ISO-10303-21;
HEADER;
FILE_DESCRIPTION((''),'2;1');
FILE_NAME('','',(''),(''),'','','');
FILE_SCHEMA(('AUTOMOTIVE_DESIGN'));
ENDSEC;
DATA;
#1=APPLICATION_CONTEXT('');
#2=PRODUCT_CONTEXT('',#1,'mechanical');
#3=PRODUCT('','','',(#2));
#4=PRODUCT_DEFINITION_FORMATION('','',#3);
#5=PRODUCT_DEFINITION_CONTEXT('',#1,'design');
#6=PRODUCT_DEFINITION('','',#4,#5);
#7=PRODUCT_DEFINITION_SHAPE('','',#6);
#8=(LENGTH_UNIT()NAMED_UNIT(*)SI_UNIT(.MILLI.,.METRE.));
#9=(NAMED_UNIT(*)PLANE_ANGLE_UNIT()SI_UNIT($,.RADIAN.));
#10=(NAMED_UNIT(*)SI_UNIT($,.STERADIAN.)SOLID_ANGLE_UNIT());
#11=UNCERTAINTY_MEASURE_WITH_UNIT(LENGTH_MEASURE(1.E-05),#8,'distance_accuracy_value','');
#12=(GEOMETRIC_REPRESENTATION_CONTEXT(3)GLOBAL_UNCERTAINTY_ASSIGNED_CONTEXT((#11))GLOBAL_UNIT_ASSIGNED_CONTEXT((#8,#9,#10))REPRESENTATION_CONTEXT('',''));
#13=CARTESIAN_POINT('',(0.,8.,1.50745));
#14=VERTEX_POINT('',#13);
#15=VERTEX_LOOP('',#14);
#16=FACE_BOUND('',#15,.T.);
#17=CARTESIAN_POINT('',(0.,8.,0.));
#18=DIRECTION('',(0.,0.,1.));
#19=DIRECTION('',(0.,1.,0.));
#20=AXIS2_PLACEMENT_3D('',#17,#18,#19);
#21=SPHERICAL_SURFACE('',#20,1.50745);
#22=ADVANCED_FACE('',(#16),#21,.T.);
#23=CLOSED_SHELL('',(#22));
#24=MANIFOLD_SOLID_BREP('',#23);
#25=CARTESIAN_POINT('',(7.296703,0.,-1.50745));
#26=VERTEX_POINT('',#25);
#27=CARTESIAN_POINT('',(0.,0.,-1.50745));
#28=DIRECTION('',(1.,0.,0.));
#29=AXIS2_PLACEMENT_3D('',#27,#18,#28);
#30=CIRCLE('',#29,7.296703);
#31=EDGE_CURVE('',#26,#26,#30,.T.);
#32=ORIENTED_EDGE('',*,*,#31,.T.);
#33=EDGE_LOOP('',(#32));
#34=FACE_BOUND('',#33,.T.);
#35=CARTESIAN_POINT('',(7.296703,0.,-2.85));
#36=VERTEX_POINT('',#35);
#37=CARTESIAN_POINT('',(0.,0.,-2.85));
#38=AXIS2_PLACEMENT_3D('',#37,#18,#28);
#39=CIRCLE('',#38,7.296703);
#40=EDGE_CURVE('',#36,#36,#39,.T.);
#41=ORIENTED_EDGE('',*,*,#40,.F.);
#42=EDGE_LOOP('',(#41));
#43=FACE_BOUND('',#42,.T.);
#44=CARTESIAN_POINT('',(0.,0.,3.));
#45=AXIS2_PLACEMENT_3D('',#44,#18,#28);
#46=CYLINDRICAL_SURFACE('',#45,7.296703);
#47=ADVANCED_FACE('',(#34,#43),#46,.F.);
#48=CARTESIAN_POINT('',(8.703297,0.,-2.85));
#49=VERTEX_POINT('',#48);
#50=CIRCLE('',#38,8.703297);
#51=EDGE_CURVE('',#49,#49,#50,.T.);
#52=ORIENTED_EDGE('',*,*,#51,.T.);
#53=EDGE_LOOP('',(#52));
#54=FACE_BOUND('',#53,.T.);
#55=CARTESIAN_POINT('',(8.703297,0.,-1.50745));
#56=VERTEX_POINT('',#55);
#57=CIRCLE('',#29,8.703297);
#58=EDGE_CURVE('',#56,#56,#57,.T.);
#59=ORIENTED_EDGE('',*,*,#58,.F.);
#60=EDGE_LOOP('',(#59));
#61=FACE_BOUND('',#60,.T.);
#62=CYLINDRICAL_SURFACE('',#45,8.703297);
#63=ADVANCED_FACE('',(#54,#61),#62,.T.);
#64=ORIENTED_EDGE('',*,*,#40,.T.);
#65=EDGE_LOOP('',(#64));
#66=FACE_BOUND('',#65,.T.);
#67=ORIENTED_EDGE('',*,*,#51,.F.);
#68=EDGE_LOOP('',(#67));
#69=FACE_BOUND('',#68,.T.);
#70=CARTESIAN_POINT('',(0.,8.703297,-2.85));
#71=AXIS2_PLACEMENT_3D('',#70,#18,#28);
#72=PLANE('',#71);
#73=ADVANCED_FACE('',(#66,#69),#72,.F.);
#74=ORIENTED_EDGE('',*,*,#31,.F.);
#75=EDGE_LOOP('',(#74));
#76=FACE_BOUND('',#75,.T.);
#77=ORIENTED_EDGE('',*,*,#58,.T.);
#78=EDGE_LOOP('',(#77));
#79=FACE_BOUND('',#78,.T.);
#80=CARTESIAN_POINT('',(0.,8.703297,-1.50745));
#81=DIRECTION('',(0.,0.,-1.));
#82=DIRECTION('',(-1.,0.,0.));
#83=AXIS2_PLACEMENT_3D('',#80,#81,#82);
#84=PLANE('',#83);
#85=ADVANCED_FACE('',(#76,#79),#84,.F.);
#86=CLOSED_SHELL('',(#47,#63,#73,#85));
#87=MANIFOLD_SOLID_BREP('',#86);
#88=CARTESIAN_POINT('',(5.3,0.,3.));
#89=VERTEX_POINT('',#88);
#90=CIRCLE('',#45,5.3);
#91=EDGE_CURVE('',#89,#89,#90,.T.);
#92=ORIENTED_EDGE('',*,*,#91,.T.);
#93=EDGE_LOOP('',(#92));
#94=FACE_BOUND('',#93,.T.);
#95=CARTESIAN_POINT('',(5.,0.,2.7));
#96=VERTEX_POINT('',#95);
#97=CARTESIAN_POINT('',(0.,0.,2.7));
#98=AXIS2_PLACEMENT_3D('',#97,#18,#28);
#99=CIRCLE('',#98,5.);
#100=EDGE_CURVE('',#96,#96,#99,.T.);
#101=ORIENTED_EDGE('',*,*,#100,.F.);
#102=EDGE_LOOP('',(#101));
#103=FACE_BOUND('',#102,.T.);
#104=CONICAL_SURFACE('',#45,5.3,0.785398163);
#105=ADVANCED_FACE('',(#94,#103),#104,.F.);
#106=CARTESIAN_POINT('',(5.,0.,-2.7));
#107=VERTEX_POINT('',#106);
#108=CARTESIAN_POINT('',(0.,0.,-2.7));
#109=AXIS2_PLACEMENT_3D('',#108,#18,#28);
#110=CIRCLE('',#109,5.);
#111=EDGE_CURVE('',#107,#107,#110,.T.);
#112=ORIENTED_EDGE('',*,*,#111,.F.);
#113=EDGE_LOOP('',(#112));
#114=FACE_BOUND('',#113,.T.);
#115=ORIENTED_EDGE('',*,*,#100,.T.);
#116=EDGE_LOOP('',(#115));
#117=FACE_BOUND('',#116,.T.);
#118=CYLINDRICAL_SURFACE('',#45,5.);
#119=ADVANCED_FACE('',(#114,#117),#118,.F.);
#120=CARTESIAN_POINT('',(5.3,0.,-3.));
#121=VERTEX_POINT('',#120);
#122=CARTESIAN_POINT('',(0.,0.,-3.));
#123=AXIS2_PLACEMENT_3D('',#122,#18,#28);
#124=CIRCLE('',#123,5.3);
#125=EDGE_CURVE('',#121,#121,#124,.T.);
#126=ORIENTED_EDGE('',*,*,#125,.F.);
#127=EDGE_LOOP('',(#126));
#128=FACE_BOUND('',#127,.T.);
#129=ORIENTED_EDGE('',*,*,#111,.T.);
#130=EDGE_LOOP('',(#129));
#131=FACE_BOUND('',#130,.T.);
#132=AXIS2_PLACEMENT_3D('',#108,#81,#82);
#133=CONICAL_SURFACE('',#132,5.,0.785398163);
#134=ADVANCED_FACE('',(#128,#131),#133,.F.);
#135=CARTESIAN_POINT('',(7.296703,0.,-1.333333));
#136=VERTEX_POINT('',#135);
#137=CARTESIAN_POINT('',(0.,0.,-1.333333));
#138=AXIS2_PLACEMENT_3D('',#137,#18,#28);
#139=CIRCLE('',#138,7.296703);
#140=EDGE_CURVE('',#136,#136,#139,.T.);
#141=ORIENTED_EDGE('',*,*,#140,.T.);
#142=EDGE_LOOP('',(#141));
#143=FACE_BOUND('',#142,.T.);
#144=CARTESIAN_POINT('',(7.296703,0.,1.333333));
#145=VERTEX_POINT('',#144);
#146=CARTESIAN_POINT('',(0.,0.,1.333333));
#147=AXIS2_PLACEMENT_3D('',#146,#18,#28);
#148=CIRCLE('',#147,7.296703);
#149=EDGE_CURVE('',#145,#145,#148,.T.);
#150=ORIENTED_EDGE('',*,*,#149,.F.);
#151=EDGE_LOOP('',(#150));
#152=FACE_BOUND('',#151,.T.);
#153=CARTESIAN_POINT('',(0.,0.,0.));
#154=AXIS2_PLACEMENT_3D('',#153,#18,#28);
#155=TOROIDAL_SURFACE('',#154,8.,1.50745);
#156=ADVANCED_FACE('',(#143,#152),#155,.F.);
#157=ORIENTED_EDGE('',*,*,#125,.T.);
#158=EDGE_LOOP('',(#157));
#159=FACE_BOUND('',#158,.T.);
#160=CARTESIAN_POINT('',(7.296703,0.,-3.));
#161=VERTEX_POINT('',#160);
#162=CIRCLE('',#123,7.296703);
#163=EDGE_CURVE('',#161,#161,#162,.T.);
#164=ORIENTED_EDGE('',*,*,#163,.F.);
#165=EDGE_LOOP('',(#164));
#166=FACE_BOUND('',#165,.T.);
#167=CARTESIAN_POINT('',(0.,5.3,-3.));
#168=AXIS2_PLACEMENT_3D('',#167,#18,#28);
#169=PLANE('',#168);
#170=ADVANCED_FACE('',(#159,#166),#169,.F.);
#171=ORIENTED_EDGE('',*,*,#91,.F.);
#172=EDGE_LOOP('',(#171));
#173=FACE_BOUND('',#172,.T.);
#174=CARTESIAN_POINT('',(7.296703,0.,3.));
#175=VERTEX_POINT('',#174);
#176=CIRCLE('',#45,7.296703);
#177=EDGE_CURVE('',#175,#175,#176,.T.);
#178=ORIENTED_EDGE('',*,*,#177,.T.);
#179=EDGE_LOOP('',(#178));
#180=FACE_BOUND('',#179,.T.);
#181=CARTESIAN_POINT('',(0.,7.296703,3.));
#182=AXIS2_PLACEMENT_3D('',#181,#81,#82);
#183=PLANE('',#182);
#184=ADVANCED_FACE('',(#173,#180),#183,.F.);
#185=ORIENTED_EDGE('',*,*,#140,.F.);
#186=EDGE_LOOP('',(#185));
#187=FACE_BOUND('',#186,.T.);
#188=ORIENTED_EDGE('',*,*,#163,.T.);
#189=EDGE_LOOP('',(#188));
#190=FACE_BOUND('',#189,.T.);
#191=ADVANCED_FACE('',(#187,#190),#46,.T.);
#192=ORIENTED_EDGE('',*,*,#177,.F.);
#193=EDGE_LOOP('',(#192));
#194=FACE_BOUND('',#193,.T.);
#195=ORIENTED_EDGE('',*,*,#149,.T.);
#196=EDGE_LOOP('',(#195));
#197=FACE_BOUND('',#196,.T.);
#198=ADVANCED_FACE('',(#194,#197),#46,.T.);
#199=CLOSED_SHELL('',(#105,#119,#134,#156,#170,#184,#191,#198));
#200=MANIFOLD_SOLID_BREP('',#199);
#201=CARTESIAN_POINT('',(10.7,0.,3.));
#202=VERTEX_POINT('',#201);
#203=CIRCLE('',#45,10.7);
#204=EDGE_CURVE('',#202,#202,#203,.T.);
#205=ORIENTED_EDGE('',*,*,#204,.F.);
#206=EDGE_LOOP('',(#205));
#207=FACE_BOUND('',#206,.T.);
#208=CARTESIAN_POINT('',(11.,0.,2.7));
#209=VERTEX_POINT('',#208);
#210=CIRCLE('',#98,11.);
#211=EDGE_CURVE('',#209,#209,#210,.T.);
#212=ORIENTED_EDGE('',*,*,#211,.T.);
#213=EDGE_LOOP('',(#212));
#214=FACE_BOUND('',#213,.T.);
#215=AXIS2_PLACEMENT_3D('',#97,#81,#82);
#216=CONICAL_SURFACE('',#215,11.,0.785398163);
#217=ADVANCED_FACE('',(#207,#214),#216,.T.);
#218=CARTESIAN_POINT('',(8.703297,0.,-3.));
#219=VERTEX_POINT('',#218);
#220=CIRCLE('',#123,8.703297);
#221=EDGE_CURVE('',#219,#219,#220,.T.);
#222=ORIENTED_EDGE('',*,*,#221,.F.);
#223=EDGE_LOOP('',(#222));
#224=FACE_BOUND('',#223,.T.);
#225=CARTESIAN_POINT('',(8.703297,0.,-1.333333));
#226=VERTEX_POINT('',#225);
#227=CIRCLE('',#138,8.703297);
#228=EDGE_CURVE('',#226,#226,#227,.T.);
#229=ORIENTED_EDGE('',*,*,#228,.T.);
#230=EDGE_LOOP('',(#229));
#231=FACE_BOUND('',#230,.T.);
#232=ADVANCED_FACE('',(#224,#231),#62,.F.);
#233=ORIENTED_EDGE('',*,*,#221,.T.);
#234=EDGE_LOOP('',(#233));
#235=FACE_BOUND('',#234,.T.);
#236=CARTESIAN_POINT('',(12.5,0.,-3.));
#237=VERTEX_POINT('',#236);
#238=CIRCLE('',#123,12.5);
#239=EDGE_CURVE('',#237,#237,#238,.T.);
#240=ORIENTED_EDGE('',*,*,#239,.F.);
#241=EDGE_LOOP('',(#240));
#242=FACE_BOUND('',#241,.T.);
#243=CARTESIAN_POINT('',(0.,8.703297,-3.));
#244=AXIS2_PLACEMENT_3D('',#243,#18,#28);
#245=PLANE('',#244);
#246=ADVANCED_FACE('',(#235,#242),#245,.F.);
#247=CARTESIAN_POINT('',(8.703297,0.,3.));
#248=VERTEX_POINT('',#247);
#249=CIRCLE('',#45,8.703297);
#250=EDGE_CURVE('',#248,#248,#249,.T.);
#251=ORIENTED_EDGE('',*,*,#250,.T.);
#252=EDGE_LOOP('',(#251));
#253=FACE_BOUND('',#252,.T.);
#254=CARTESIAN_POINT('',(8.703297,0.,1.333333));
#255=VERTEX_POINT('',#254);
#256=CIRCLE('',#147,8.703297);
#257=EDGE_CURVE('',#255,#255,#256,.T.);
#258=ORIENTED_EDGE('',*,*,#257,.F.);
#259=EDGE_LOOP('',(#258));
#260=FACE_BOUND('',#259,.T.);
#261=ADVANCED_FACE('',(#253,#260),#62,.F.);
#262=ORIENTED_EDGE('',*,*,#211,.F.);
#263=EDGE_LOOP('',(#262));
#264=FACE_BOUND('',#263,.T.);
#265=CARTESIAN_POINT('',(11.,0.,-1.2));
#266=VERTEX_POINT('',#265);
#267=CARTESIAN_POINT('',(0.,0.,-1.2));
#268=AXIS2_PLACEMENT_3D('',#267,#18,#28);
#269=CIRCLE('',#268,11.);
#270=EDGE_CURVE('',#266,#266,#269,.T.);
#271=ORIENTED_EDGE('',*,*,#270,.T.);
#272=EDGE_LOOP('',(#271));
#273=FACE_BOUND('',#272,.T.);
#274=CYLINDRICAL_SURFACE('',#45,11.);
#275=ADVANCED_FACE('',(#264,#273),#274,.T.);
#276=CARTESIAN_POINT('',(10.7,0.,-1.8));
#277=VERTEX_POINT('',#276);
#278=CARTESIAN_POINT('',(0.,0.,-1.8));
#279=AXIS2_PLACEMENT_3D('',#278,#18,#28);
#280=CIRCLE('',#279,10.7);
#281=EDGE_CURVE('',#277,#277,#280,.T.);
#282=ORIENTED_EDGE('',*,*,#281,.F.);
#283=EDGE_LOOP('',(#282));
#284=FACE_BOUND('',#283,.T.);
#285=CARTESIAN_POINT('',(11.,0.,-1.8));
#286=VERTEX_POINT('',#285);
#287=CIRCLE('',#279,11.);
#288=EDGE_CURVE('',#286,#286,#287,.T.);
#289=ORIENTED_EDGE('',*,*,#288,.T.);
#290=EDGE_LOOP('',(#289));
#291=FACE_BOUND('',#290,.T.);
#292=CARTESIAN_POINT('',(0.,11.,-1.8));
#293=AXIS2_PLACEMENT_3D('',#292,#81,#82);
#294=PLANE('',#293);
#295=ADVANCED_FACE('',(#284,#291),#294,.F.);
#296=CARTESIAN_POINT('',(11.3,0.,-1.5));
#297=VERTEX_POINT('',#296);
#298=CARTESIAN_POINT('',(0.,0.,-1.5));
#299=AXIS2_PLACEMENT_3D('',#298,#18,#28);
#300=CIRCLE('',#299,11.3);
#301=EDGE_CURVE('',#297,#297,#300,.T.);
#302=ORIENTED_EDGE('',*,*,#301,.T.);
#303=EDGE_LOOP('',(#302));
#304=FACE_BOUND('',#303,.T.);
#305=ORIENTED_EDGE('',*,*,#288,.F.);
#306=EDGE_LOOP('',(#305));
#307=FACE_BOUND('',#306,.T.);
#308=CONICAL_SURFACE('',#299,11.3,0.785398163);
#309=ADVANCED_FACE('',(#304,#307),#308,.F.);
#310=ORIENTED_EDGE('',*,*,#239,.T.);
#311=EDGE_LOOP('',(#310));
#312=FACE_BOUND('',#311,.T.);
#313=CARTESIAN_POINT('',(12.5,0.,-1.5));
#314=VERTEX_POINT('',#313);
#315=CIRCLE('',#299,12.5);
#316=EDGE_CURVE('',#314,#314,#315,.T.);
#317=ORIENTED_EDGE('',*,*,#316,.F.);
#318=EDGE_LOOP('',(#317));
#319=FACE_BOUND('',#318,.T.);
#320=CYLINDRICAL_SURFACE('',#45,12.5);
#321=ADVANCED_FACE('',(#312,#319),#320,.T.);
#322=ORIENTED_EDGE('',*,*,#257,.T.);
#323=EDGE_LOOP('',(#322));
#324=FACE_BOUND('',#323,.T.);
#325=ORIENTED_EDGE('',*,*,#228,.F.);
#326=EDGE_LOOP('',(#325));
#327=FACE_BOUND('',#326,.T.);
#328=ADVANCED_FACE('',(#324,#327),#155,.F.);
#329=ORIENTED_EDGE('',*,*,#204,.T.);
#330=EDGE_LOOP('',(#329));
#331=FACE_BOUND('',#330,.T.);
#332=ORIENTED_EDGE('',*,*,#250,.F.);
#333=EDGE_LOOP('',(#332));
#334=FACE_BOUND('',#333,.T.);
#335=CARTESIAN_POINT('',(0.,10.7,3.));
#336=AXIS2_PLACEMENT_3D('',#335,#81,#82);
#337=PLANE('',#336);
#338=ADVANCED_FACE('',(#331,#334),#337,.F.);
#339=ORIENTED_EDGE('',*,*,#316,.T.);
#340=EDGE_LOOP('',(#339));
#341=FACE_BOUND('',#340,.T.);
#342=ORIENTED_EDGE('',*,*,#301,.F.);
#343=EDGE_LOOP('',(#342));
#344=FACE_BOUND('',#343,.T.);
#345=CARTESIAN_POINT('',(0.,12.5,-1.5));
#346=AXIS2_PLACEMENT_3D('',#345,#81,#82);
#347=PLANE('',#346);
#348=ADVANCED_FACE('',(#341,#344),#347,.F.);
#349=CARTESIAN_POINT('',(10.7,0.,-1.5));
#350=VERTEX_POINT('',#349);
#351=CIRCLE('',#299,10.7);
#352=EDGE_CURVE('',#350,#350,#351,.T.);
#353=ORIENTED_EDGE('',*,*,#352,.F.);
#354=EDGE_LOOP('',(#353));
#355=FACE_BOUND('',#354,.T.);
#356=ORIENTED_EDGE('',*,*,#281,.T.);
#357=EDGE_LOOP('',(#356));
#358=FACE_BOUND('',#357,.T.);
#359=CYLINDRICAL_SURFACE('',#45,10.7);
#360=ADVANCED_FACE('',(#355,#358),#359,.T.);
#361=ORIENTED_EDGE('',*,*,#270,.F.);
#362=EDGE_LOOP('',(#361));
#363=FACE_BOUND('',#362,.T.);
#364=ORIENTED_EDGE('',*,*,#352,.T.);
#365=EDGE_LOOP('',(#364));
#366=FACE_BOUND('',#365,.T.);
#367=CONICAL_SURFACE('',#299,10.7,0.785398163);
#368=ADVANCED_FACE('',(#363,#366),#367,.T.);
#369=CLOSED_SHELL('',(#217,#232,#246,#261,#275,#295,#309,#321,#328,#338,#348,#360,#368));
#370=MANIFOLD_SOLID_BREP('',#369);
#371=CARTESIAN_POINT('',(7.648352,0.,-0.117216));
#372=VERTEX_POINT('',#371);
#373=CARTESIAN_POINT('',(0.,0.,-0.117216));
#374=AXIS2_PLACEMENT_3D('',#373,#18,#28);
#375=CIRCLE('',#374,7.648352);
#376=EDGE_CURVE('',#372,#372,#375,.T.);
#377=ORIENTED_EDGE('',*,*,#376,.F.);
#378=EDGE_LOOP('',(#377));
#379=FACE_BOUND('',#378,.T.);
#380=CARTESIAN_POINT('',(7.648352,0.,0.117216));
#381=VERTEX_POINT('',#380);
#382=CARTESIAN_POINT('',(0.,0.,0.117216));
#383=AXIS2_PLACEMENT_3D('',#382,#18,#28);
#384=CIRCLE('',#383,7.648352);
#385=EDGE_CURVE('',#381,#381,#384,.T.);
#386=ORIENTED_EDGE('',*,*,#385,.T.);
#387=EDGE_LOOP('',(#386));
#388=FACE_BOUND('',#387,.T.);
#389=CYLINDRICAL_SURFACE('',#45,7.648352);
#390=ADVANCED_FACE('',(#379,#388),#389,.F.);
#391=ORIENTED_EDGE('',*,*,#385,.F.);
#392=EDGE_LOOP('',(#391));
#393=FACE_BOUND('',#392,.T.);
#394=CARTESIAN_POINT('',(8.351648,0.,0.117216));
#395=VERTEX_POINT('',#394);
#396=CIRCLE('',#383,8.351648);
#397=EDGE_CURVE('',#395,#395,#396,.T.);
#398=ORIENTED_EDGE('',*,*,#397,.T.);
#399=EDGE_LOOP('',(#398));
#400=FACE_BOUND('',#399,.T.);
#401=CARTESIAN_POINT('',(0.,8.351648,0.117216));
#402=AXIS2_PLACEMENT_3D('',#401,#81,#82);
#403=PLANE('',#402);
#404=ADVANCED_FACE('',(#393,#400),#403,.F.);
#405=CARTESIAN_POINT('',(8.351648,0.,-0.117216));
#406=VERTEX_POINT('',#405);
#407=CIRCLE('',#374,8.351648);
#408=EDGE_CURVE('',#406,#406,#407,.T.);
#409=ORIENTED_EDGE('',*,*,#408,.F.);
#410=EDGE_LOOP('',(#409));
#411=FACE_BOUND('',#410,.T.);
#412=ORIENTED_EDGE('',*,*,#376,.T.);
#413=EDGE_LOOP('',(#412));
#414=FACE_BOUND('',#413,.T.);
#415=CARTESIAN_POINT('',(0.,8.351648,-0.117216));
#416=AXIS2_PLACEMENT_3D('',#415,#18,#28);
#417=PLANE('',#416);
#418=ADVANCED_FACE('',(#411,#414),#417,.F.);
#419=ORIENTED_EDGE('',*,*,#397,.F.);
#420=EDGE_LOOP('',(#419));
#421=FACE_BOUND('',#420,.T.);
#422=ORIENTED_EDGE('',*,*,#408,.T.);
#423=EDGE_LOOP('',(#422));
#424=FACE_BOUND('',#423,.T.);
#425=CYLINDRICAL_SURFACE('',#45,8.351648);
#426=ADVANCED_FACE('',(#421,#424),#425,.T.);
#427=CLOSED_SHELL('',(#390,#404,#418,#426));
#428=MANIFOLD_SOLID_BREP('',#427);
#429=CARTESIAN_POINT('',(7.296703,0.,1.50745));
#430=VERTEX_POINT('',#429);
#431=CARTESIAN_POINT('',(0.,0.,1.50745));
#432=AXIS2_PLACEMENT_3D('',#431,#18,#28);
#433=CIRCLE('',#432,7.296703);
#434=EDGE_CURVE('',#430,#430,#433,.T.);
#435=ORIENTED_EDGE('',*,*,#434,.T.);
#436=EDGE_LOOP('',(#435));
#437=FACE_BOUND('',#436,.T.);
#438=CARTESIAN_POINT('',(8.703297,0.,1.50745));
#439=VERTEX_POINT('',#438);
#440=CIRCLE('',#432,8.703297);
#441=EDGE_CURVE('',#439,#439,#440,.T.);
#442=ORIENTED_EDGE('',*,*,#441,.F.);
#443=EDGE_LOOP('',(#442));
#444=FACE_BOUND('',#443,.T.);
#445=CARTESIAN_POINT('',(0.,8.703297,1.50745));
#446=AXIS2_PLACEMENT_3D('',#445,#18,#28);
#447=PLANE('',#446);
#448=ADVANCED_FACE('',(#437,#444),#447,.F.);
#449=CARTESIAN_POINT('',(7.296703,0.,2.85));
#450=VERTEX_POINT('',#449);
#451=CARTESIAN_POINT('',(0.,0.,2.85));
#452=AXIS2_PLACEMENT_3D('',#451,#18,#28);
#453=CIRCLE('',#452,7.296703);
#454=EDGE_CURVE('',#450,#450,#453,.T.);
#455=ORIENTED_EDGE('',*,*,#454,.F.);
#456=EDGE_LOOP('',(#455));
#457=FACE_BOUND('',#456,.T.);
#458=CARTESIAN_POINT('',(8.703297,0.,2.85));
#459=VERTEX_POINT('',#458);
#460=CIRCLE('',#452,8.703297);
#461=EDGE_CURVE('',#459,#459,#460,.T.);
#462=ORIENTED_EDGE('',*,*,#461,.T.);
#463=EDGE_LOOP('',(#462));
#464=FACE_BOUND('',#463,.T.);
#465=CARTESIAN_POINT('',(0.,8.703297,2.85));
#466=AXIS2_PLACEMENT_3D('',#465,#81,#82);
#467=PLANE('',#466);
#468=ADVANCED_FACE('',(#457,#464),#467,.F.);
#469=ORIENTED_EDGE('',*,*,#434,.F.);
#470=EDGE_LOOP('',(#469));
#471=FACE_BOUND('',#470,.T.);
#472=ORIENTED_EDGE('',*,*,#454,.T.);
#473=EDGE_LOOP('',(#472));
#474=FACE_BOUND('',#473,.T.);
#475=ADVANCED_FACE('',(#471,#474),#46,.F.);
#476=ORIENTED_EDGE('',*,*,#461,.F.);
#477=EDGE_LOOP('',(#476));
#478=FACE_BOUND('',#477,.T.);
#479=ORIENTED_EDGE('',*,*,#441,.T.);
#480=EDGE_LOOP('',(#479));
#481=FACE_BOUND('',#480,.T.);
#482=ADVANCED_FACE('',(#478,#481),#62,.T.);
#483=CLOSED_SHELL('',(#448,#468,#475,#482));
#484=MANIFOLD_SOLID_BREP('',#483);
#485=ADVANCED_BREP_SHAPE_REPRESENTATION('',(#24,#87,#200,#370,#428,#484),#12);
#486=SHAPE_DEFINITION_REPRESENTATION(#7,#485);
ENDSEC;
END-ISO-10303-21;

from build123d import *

# Parameters (mm, degrees)
SKETCH6_W = 0.234432234
SKETCH6_H = 0.703296704
SKETCH5_W = 1.342550488
SKETCH5_H = 1.406593406


with BuildPart() as part:
    # Sketch7 → Revolve7 (revolve)
    with BuildSketch(Plane(origin=(0, 0, 0), x_dir=(0, 0, -1), z_dir=(1, 0, 0))):
        with BuildLine():
            Line((3, 12.5), (1.5, 12.5))
            Line((1.5, 12.5), (1.5, 11.3))
            Line((1.5, 11.3), (1.8, 11))
            Line((1.8, 11), (1.8, 10.7))
            Line((1.8, 10.7), (1.5, 10.7))
            Line((1.5, 10.7), (1.2, 11))
            Line((1.2, 11), (-2.7, 11))
            Line((-2.7, 11), (-3, 10.7))
            Line((-3, 10.7), (-3, 8.703296703))
            Line((-3, 8.703296703), (-1.333333333, 8.703296703))
            ThreePointArc((-1.333333333, 8.703296703), (0, 9.507449512), (1.333333333, 8.703296703))
            Line((1.333333333, 8.703296703), (3, 8.703296703))
            Line((3, 8.703296703), (3, 10.7))
            Line((3, 10.7), (3, 12.5))
        make_face()
    revolve(axis=Axis((0, 0, 3), (0, 0, -1)))


with BuildPart() as body_2:
    # Sketch3 → Revolve3 (revolve)
    with BuildSketch(Plane(origin=(0, 0, 0), x_dir=(0, 0, -1), z_dir=(1, 0, 0))):
        with BuildLine():
            Line((-3, 7.296703297), (-1.333333333, 7.296703297))
            ThreePointArc((-1.333333333, 7.296703297), (0, 6.492550488), (1.333333333, 7.296703297))
            Line((1.333333333, 7.296703297), (3, 7.296703297))
            Line((3, 7.296703297), (3, 5.3))
            Line((3, 5.3), (2.7, 5))
            Line((2.7, 5), (-2.7, 5))
            Line((-2.7, 5), (-3, 5.3))
            Line((-3, 5.3), (-3, 7.296703297))
        make_face()
    revolve(axis=Axis((0, 0, 3), (0, 0, -1)))


with BuildPart() as body_3:
    # Sketch6 → Revolve6 (revolve)
    with BuildSketch(Plane(origin=(0, 0, 0), x_dir=(0, 0, -1), z_dir=(1, 0, 0))):
        with Locations((0, 8)):
            Rectangle(SKETCH6_W, SKETCH6_H)
    revolve(axis=Axis((0, 0, 3), (0, 0, -1)))


with BuildPart() as body_4:
    # Sketch4 → Revolve4 (revolve)
    with BuildSketch(Plane(origin=(0, 0, 0), x_dir=(0, 0, -1), z_dir=(1, 0, 0))):
        with BuildLine():
            Line((-1.507449512, 8), (1.507449512, 8))
            ThreePointArc((1.507449512, 8), (0, 9.507449512), (-1.507449512, 8))
        make_face()
    revolve(axis=Axis((0, 8, 1.507449512), (0, 0, -1)))


with BuildPart() as body_5:
    # Sketch5 → Revolve5 (revolve)
    with BuildSketch(Plane(origin=(0, 0, 0), x_dir=(0, 0, -1), z_dir=(1, 0, 0))):
        with Locations((-2.178724756, 8)):
            Rectangle(SKETCH5_W, SKETCH5_H)
        with Locations((2.178724756, 8)):
            Rectangle(SKETCH5_W, SKETCH5_H)
    revolve(axis=Axis((0, 0, 3), (0, 0, -1)))


solid = Compound([part.part, body_2.part, body_3.part, body_4.part, body_5.part])
